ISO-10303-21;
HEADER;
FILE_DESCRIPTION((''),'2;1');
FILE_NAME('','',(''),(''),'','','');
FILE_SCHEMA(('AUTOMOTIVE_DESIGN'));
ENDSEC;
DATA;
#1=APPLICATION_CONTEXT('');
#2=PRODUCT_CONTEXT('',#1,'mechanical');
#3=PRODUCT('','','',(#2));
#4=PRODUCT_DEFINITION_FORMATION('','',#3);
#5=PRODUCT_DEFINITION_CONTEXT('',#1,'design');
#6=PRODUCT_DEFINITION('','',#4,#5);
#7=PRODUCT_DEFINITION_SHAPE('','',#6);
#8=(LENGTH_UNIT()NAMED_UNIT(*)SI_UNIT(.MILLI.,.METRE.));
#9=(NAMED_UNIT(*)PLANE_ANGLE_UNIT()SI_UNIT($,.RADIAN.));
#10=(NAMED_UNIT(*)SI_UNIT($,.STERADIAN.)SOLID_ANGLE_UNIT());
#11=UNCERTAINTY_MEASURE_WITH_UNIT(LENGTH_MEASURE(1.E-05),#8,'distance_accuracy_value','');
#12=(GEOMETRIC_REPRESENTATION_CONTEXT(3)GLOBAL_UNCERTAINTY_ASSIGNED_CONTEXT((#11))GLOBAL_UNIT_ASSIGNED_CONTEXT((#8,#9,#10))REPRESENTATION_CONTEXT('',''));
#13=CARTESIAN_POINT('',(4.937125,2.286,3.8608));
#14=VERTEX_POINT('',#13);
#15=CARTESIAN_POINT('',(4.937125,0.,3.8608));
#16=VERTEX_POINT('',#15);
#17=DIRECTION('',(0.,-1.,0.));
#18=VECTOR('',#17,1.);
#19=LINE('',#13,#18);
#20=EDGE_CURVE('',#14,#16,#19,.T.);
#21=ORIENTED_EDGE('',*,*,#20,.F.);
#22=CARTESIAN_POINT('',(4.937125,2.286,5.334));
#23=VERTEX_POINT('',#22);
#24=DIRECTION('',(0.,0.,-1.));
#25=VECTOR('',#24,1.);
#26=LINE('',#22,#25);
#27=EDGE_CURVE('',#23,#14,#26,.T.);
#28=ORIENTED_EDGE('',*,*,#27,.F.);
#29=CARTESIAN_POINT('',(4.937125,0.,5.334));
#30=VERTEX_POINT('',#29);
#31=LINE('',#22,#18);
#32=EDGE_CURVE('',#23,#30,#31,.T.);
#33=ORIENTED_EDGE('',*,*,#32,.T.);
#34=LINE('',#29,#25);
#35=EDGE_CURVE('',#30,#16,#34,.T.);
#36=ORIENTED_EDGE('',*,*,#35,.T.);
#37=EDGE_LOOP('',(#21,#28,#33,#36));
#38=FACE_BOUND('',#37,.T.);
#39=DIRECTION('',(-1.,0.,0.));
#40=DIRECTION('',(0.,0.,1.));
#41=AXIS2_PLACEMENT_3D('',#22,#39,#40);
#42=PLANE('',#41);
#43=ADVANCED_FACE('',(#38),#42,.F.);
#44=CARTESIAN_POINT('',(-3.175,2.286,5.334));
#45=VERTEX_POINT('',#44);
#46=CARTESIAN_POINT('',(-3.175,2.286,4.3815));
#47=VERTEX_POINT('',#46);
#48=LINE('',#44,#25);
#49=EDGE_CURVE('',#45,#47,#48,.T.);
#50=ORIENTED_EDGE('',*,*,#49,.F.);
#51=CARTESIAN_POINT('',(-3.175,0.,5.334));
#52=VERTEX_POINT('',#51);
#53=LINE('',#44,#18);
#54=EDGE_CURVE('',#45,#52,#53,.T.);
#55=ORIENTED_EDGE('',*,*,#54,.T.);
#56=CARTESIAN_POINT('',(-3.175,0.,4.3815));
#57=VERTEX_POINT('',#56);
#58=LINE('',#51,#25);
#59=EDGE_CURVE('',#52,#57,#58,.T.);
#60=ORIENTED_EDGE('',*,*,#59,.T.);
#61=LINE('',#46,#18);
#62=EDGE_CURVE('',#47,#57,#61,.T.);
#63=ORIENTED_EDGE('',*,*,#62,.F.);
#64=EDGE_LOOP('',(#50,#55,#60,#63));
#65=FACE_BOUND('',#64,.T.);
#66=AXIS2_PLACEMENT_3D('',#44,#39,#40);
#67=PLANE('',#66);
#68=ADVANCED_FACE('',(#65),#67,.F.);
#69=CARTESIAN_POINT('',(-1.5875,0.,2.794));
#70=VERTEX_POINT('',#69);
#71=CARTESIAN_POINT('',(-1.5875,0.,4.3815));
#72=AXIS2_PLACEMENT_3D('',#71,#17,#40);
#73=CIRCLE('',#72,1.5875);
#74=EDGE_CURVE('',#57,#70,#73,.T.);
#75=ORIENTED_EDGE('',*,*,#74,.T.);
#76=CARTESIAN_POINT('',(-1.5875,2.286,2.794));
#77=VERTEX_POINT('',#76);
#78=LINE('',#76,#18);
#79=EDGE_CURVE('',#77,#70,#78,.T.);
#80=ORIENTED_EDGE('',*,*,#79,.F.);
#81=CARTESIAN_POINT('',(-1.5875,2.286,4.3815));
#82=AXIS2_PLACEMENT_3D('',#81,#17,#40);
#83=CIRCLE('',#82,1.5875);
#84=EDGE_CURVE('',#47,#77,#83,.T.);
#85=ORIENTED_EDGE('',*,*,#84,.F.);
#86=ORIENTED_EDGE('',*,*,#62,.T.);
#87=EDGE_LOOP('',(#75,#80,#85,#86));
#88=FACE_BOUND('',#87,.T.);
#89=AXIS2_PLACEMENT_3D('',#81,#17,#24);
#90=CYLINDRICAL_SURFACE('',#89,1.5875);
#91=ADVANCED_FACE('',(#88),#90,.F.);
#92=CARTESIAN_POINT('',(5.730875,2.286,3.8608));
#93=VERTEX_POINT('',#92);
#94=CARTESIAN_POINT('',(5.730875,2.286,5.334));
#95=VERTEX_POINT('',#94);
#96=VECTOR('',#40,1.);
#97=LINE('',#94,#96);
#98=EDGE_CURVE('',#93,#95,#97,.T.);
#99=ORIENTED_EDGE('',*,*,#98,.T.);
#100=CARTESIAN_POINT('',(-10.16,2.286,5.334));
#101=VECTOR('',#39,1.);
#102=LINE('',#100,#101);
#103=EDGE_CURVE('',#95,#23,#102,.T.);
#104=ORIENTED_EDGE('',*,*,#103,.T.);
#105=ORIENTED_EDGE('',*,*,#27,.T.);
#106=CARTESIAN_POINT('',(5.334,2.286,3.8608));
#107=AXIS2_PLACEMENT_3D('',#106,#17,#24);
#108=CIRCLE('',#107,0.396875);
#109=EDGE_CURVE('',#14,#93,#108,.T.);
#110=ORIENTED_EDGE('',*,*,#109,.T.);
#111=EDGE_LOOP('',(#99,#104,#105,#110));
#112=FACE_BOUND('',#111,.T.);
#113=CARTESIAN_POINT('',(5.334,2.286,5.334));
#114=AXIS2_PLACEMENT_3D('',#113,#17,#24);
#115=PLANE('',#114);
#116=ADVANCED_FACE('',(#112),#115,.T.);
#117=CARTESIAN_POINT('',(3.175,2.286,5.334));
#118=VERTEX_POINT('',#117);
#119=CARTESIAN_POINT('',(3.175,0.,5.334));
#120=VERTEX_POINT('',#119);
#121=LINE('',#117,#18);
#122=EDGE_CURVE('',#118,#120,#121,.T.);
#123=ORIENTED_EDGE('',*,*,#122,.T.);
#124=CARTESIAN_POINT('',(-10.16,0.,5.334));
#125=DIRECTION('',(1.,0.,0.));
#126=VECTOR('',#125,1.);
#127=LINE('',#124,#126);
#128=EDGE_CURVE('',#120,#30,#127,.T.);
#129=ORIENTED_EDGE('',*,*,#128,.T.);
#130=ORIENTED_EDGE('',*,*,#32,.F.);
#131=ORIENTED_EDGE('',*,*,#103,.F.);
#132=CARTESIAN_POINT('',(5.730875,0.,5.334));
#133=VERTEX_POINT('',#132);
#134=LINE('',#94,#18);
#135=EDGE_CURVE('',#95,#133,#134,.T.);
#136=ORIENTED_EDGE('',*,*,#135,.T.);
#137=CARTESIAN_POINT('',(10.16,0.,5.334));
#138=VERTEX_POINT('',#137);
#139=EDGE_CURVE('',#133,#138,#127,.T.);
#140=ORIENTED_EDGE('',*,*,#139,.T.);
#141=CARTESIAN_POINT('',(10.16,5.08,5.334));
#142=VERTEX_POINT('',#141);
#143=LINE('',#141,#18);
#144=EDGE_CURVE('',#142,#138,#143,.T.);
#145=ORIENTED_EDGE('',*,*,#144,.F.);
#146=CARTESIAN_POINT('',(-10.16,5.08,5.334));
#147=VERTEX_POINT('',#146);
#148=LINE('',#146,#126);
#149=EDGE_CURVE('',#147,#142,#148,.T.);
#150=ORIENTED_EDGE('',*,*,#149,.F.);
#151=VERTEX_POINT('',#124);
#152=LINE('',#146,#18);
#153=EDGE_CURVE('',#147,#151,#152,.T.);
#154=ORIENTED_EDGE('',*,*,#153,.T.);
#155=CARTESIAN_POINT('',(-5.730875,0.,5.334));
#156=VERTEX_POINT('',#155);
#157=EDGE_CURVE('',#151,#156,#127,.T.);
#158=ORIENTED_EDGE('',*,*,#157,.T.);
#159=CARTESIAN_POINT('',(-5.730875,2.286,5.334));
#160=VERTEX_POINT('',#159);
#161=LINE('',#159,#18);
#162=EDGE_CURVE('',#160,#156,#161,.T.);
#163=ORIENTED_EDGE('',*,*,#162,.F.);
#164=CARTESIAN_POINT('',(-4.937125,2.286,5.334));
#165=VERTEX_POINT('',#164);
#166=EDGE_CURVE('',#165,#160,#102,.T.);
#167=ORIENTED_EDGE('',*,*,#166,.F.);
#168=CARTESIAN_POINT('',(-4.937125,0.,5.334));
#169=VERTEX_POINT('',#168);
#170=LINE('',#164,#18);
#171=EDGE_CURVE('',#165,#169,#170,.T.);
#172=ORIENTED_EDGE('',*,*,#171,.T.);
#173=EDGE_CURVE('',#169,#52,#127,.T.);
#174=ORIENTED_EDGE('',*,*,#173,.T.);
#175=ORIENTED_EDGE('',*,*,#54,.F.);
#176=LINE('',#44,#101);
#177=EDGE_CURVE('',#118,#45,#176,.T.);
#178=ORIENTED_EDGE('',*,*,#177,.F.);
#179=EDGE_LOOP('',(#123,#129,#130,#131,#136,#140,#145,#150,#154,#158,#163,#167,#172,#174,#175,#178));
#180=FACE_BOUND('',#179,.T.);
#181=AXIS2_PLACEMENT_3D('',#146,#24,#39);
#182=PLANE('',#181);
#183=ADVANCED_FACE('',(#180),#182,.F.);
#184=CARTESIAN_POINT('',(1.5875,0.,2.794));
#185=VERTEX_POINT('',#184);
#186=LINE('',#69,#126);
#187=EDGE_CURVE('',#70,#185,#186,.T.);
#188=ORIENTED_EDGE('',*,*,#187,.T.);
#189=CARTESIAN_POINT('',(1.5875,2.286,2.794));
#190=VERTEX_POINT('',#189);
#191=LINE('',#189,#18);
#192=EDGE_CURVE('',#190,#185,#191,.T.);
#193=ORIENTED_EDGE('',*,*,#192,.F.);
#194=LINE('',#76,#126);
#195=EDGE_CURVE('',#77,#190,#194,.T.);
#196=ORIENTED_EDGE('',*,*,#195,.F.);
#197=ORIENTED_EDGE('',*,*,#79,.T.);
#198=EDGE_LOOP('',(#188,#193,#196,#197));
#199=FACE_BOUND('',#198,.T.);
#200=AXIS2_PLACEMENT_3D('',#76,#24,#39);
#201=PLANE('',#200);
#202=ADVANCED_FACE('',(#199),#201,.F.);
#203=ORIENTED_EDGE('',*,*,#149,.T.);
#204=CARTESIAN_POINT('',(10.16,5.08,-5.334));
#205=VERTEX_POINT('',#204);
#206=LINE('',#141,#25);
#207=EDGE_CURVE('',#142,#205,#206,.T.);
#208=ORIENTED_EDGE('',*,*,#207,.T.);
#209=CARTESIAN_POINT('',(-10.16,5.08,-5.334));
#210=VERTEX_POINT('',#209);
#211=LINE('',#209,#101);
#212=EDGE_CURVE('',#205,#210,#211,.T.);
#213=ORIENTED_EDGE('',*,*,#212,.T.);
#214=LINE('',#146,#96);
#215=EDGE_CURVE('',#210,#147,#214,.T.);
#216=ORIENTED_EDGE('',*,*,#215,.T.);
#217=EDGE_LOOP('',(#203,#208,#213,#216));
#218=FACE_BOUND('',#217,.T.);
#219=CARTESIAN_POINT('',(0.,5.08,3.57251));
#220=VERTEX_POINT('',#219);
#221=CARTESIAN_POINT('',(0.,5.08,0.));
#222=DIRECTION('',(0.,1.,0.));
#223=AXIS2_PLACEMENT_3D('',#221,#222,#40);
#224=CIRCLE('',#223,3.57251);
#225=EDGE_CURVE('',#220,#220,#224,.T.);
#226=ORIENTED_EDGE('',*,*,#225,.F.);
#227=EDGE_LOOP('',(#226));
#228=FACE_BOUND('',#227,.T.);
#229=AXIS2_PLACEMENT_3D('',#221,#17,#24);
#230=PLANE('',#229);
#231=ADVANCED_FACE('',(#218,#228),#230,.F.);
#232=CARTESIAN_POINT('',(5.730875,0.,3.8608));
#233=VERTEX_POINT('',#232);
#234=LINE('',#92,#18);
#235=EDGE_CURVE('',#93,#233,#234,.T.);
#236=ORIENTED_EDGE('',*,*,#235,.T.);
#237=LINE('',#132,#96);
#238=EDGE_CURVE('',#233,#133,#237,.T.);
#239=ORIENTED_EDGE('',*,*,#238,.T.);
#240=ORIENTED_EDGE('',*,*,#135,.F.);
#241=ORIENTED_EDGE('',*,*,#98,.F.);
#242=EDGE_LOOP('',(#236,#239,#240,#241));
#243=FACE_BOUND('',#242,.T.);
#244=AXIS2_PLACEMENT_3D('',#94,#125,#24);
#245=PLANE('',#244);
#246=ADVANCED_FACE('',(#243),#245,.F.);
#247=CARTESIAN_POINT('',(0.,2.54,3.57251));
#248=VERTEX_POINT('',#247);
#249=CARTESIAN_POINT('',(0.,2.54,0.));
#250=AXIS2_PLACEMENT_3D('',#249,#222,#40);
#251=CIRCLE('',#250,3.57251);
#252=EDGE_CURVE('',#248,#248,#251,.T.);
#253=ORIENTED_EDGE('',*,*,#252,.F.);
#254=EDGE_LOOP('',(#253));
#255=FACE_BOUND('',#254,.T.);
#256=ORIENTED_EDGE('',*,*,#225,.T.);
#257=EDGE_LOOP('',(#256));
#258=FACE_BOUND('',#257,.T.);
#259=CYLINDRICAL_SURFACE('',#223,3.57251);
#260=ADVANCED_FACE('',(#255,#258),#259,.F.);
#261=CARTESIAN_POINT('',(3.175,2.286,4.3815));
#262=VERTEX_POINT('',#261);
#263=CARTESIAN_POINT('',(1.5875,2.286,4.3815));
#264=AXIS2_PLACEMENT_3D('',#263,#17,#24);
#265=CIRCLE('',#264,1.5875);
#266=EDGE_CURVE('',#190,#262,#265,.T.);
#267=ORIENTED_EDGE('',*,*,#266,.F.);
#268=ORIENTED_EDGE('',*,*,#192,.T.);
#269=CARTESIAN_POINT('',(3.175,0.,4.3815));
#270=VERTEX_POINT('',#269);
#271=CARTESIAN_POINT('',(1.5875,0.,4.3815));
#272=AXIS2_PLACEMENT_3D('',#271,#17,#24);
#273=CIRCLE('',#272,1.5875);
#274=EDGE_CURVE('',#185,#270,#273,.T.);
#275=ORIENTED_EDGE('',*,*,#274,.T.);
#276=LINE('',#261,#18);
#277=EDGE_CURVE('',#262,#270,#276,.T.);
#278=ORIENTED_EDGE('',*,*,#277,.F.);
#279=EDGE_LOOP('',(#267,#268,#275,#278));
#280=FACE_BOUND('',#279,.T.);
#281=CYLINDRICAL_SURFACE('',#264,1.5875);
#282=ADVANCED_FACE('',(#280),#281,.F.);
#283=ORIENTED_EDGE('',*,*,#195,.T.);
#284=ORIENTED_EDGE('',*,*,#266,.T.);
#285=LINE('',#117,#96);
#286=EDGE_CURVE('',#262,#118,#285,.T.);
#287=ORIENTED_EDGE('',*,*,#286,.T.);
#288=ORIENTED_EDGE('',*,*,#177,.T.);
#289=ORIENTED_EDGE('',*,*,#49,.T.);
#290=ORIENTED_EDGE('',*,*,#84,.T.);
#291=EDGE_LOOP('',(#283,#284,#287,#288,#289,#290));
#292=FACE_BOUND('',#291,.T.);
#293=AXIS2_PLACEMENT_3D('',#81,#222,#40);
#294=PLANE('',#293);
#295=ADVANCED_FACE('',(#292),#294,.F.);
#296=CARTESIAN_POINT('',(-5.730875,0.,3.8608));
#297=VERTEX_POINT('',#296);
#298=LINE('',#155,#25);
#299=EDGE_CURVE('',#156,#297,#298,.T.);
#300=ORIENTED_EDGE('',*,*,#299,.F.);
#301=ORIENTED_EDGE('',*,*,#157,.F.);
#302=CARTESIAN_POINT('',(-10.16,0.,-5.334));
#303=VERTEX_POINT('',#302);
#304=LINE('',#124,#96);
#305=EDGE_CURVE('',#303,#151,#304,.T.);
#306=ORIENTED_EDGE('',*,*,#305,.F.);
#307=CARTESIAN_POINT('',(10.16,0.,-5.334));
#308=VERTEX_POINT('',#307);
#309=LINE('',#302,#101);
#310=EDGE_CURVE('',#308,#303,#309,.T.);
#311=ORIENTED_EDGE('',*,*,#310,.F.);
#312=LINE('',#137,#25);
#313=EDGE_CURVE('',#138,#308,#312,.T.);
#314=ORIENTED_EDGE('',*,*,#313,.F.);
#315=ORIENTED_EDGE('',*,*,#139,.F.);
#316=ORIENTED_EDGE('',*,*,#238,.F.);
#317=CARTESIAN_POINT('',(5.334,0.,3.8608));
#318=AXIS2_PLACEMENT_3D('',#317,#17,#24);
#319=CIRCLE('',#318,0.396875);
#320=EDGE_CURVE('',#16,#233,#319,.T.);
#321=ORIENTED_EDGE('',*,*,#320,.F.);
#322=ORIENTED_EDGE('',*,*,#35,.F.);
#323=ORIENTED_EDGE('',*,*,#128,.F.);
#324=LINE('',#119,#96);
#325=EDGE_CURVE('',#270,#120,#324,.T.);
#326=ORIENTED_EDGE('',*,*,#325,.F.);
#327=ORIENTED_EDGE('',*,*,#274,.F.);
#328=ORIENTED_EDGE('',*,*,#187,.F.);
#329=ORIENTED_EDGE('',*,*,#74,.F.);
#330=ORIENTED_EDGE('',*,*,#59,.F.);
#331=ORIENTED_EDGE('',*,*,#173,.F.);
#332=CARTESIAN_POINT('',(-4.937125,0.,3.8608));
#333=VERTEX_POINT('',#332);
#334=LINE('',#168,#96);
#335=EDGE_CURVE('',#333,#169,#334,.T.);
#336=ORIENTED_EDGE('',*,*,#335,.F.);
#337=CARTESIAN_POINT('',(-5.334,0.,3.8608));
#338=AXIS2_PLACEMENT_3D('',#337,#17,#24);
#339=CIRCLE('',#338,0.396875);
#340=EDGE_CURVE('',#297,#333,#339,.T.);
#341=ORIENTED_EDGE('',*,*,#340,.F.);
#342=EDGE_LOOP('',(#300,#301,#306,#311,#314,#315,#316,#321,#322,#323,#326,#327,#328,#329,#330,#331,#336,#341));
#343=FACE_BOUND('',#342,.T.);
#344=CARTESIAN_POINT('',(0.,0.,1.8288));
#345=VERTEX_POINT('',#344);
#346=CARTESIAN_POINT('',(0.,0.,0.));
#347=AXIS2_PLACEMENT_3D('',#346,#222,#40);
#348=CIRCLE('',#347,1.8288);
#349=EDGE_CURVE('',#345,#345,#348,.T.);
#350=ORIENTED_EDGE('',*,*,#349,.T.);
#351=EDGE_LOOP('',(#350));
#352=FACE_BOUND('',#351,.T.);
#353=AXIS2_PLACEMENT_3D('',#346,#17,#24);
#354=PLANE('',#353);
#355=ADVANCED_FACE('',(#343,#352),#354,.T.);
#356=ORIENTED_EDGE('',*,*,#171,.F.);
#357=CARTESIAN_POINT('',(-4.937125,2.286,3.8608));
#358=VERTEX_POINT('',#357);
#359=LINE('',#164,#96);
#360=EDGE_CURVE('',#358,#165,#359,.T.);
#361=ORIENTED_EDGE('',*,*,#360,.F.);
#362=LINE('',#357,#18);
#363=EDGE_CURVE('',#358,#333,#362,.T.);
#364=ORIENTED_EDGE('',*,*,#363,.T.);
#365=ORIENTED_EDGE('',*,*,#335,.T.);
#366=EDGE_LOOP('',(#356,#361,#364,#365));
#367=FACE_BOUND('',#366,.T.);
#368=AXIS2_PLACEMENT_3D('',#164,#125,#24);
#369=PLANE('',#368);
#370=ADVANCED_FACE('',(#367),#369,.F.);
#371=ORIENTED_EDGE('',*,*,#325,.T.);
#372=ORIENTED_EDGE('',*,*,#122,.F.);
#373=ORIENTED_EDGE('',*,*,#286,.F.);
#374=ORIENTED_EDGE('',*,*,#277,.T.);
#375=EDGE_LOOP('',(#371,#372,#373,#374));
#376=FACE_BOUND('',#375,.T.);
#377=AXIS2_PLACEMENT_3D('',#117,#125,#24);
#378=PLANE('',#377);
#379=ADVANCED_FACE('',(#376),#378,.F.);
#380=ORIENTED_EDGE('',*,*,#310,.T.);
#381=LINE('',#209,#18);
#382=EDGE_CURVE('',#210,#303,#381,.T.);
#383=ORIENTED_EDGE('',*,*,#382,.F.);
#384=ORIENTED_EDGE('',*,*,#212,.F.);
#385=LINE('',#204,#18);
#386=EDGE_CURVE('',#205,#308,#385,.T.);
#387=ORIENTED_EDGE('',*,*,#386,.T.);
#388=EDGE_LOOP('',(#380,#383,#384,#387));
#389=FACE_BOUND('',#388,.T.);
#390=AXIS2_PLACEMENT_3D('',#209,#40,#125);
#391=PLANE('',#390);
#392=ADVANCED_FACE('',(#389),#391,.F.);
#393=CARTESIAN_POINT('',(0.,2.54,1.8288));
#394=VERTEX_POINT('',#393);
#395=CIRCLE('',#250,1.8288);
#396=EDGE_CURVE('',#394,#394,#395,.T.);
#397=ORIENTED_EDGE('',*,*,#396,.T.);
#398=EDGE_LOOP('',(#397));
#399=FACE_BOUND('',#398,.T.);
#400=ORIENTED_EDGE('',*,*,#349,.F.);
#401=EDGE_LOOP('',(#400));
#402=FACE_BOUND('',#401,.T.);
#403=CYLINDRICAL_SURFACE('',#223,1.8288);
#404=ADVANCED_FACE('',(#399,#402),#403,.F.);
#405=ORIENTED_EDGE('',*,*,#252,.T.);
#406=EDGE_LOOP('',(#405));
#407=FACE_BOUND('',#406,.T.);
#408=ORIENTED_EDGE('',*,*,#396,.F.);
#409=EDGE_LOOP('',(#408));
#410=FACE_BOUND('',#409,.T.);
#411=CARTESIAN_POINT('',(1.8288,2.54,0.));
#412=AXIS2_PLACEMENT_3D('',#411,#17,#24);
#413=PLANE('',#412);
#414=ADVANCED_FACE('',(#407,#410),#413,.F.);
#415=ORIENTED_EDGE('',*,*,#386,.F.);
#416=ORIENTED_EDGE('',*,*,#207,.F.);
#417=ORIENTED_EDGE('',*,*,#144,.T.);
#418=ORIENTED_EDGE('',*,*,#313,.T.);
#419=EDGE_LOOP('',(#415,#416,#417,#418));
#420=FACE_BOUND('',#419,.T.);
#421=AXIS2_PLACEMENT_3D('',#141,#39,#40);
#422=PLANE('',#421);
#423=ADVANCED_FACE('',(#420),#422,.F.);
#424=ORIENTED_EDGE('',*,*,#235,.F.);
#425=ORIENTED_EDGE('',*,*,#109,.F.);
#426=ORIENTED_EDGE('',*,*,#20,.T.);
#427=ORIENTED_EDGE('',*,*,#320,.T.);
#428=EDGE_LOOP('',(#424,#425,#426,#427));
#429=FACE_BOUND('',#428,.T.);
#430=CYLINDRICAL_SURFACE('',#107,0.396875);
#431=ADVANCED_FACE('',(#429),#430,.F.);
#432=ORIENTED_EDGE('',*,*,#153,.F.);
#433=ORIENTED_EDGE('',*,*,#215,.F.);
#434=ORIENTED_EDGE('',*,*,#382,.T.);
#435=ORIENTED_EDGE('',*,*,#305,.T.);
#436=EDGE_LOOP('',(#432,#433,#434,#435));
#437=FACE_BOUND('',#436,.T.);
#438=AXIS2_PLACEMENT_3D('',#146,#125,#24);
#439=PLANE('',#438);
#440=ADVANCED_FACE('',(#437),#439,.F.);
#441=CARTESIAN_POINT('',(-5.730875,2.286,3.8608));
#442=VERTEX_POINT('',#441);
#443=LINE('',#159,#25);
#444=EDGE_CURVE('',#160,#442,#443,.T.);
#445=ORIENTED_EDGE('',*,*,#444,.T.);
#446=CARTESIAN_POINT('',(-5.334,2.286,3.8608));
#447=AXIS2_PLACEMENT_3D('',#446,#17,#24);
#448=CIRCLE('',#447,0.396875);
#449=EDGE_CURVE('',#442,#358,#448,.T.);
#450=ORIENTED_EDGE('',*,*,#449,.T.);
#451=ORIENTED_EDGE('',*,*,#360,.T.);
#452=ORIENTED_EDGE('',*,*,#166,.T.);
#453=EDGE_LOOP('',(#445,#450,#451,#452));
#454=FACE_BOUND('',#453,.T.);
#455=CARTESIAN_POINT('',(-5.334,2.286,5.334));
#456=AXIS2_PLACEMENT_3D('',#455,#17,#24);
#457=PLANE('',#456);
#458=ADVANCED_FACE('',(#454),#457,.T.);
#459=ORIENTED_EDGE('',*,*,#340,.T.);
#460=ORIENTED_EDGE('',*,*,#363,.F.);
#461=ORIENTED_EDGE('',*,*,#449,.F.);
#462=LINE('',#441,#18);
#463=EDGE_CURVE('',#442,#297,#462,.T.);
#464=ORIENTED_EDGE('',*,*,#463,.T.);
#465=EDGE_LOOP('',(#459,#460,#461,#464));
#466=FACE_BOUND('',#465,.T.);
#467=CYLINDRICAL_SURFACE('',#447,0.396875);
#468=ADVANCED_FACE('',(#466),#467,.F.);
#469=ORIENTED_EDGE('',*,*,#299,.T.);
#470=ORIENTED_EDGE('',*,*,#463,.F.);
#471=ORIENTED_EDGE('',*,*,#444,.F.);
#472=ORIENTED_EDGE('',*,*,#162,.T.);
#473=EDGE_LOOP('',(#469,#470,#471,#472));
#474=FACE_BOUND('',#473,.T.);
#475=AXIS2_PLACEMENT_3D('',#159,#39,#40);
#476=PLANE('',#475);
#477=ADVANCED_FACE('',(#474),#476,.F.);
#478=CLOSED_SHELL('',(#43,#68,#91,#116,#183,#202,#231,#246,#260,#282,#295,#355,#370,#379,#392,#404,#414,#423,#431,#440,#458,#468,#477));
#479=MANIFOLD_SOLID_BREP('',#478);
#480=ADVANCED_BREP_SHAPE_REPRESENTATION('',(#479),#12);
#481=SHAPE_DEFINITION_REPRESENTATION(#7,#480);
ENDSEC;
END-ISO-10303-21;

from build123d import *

# Parameters (mm, degrees)
SKETCH1_W               = 20.32
SKETCH1_H               = 10.668
BASE_DEPTH              = 5.08
BOXSLOTS_DEPTH          = 2.286
MOUTINGHOLE_D           = 3.6576
MOUTINGHOLE_CBORE_D     = 7.14502
MOUTINGHOLE_CBORE_DEPTH = 2.54
CUT_EXTRUDE1_DEPTH      = 2.286


with BuildPart() as part:
    # Sketch1 → Base (new body)
    with BuildSketch(Plane(origin=(0, 0, 0), x_dir=(1, 0, 0), z_dir=(0, 1, 0))):
        Rectangle(SKETCH1_W, SKETCH1_H)
    extrude(amount=BASE_DEPTH)

    # Sketch2 → BoxSlots (cut)
    with BuildSketch(Plane.XZ):
        with BuildLine():
            Line((-4.937125, 5.334), (-4.937125, 3.8608))
            ThreePointArc((-4.937125, 3.8608), (-5.334, 3.463925), (-5.730875, 3.8608))
            Line((-5.730875, 3.8608), (-5.730875, 5.334))
            ThreePointArc((-5.730875, 5.334), (-5.334, 5.730875), (-4.937125, 5.334))
        make_face()
        with BuildLine():
            Line((5.730875, 5.334), (5.730875, 3.8608))
            ThreePointArc((5.730875, 3.8608), (5.334, 3.463925), (4.937125, 3.8608))
            Line((4.937125, 3.8608), (4.937125, 5.334))
            ThreePointArc((4.937125, 5.334), (5.334, 5.730875), (5.730875, 5.334))
        make_face()
    extrude(amount=-BOXSLOTS_DEPTH, mode=Mode.SUBTRACT)

    # MoutingHole (through all)
    with Locations(Plane(origin=(0, 5.08, 0), x_dir=(1, 0, 0), z_dir=(0, 1, 0))):
        with Locations((0, 0)):
            CounterBoreHole(MOUTINGHOLE_D / 2, MOUTINGHOLE_CBORE_D / 2, MOUTINGHOLE_CBORE_DEPTH)

    # Sketch7 → Cut-Extrude1 (cut)
    with BuildSketch(Plane.XZ):
        with BuildLine():
            Line((-3.175, 5.334), (3.175, 5.334))
            Line((3.175, 5.334), (3.175, 4.3815))
            ThreePointArc((3.175, 4.3815), (2.710032015, 3.258967985), (1.5875, 2.794))
            Line((1.5875, 2.794), (-1.5875, 2.794))
            ThreePointArc((-1.5875, 2.794), (-2.710032015, 3.258967985), (-3.175, 4.3815))
            Line((-3.175, 4.3815), (-3.175, 5.334))
        make_face()
    extrude(amount=-CUT_EXTRUDE1_DEPTH, mode=Mode.SUBTRACT)


solid = part.part
